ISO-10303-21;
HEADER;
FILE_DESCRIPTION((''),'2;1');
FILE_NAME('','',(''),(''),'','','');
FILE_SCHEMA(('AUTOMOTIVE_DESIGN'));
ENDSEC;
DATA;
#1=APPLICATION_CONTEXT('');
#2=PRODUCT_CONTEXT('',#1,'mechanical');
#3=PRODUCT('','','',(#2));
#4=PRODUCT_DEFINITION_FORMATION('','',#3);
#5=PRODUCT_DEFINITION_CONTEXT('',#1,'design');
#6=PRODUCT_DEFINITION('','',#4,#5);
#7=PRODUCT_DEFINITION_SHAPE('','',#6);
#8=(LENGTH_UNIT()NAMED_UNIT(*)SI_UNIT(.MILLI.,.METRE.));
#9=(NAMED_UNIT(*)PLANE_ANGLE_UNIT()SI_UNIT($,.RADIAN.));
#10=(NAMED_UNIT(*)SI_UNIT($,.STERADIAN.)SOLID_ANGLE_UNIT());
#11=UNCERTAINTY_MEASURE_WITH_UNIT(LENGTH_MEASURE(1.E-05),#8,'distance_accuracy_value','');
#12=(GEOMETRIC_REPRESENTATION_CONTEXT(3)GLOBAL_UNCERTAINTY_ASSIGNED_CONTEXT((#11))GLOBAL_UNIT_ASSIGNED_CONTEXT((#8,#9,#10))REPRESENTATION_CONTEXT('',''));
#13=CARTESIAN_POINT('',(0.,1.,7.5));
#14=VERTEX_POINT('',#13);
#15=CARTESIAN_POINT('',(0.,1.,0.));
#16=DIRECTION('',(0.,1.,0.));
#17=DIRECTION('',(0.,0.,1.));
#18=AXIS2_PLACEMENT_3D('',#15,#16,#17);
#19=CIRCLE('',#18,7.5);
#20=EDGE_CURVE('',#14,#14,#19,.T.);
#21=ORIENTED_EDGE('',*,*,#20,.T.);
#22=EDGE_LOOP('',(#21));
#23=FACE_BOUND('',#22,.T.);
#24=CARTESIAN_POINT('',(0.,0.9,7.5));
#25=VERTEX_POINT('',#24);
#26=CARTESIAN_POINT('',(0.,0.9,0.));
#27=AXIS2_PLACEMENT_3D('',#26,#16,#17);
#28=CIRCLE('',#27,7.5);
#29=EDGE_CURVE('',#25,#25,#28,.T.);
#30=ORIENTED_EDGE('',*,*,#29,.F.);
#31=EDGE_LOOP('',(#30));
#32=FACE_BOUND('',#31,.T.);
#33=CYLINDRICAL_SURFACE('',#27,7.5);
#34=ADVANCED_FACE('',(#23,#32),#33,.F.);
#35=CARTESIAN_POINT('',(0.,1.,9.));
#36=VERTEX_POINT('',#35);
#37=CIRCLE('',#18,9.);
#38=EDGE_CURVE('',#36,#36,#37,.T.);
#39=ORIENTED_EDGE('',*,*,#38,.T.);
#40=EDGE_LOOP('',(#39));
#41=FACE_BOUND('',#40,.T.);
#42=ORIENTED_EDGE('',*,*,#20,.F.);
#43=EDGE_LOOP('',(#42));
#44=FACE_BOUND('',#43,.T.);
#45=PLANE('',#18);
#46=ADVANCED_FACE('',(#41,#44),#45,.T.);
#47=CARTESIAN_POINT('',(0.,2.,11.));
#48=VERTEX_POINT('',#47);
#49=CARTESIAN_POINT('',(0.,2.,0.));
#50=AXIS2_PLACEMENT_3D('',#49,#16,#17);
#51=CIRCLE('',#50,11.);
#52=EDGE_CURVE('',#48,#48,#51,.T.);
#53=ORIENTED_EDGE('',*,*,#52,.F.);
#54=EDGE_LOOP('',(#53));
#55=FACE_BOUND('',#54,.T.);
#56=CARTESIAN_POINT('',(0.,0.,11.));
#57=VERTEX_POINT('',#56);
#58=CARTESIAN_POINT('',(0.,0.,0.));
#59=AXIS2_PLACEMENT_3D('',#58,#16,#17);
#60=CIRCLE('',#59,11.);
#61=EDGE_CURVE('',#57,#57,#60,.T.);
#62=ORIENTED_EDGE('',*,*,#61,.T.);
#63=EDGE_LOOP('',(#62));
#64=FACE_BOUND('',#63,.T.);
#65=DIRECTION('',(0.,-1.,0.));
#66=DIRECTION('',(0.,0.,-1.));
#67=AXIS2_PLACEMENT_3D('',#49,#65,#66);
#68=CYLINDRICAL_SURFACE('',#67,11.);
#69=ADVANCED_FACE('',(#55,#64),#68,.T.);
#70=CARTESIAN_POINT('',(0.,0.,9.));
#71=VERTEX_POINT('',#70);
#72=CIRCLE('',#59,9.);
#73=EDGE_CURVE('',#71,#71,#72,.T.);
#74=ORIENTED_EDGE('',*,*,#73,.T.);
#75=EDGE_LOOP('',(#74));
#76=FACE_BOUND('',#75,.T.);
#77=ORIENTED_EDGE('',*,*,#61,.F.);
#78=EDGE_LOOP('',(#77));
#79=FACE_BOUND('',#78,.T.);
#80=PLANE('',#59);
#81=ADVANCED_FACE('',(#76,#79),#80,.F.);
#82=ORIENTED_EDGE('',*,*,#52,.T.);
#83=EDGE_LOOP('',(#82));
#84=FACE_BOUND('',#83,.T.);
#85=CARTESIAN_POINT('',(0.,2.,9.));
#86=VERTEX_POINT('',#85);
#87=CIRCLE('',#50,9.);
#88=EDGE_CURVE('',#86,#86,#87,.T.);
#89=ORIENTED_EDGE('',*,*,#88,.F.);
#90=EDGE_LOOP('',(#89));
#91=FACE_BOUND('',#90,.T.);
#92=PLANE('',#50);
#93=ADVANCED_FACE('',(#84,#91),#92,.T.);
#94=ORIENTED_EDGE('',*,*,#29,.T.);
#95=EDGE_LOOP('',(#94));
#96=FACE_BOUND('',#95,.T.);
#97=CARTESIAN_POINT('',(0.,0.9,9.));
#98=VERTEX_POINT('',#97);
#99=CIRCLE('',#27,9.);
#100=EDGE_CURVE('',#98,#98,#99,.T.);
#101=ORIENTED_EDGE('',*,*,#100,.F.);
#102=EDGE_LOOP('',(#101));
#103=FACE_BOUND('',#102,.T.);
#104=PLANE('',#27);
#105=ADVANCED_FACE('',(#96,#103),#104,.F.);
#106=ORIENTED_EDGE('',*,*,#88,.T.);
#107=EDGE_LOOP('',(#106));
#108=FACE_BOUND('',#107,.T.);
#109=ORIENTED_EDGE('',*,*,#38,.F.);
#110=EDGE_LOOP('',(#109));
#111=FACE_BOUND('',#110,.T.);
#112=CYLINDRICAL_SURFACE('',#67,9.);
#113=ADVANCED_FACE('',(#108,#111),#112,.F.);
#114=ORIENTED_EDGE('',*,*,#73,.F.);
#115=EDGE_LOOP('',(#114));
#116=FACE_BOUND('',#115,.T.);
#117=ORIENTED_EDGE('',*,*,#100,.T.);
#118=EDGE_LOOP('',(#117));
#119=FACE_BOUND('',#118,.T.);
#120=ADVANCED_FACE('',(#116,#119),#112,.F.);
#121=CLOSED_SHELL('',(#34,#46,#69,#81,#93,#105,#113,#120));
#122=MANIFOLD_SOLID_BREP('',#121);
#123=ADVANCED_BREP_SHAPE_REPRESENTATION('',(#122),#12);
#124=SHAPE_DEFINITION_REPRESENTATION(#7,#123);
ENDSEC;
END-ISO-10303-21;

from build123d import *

# Parameters (mm, degrees)
SKETCH1_R           = 11
SKETCH1_R_2         = 9
BOSS_EXTRUDE1_DEPTH = 2
BOSS_EXTRUDE2_START = -1.1
SKETCH3_R           = 9
SKETCH3_R_2         = 7.5
BOSS_EXTRUDE2_DEPTH = 0.1


with BuildPart() as part:
    # Sketch1 → Boss-Extrude1 (new body)
    with BuildSketch(Plane(origin=(0, 0, 0), x_dir=(1, 0, 0), z_dir=(0, 1, 0))):
        with Locations(Location((0, 0, 0), (0, 0, 270))):
            Circle(SKETCH1_R)
        with Locations(Location((0, 0, 0), (0, 0, 270))):
            Circle(SKETCH1_R_2, mode=Mode.SUBTRACT)
    extrude(amount=BOSS_EXTRUDE1_DEPTH)

    # Sketch3 → Boss-Extrude2 (add)
    with BuildSketch(Plane(origin=(0, 2, 0), x_dir=(1, 0, 0), z_dir=(0, 1, 0)).offset(BOSS_EXTRUDE2_START)):
        with Locations(Location((0, 0, 0), (0, 0, 270))):
            Circle(SKETCH3_R)
        with Locations(Location((0, 0, 0), (0, 0, 270))):
            Circle(SKETCH3_R_2, mode=Mode.SUBTRACT)
    extrude(amount=BOSS_EXTRUDE2_DEPTH)


solid = part.part
